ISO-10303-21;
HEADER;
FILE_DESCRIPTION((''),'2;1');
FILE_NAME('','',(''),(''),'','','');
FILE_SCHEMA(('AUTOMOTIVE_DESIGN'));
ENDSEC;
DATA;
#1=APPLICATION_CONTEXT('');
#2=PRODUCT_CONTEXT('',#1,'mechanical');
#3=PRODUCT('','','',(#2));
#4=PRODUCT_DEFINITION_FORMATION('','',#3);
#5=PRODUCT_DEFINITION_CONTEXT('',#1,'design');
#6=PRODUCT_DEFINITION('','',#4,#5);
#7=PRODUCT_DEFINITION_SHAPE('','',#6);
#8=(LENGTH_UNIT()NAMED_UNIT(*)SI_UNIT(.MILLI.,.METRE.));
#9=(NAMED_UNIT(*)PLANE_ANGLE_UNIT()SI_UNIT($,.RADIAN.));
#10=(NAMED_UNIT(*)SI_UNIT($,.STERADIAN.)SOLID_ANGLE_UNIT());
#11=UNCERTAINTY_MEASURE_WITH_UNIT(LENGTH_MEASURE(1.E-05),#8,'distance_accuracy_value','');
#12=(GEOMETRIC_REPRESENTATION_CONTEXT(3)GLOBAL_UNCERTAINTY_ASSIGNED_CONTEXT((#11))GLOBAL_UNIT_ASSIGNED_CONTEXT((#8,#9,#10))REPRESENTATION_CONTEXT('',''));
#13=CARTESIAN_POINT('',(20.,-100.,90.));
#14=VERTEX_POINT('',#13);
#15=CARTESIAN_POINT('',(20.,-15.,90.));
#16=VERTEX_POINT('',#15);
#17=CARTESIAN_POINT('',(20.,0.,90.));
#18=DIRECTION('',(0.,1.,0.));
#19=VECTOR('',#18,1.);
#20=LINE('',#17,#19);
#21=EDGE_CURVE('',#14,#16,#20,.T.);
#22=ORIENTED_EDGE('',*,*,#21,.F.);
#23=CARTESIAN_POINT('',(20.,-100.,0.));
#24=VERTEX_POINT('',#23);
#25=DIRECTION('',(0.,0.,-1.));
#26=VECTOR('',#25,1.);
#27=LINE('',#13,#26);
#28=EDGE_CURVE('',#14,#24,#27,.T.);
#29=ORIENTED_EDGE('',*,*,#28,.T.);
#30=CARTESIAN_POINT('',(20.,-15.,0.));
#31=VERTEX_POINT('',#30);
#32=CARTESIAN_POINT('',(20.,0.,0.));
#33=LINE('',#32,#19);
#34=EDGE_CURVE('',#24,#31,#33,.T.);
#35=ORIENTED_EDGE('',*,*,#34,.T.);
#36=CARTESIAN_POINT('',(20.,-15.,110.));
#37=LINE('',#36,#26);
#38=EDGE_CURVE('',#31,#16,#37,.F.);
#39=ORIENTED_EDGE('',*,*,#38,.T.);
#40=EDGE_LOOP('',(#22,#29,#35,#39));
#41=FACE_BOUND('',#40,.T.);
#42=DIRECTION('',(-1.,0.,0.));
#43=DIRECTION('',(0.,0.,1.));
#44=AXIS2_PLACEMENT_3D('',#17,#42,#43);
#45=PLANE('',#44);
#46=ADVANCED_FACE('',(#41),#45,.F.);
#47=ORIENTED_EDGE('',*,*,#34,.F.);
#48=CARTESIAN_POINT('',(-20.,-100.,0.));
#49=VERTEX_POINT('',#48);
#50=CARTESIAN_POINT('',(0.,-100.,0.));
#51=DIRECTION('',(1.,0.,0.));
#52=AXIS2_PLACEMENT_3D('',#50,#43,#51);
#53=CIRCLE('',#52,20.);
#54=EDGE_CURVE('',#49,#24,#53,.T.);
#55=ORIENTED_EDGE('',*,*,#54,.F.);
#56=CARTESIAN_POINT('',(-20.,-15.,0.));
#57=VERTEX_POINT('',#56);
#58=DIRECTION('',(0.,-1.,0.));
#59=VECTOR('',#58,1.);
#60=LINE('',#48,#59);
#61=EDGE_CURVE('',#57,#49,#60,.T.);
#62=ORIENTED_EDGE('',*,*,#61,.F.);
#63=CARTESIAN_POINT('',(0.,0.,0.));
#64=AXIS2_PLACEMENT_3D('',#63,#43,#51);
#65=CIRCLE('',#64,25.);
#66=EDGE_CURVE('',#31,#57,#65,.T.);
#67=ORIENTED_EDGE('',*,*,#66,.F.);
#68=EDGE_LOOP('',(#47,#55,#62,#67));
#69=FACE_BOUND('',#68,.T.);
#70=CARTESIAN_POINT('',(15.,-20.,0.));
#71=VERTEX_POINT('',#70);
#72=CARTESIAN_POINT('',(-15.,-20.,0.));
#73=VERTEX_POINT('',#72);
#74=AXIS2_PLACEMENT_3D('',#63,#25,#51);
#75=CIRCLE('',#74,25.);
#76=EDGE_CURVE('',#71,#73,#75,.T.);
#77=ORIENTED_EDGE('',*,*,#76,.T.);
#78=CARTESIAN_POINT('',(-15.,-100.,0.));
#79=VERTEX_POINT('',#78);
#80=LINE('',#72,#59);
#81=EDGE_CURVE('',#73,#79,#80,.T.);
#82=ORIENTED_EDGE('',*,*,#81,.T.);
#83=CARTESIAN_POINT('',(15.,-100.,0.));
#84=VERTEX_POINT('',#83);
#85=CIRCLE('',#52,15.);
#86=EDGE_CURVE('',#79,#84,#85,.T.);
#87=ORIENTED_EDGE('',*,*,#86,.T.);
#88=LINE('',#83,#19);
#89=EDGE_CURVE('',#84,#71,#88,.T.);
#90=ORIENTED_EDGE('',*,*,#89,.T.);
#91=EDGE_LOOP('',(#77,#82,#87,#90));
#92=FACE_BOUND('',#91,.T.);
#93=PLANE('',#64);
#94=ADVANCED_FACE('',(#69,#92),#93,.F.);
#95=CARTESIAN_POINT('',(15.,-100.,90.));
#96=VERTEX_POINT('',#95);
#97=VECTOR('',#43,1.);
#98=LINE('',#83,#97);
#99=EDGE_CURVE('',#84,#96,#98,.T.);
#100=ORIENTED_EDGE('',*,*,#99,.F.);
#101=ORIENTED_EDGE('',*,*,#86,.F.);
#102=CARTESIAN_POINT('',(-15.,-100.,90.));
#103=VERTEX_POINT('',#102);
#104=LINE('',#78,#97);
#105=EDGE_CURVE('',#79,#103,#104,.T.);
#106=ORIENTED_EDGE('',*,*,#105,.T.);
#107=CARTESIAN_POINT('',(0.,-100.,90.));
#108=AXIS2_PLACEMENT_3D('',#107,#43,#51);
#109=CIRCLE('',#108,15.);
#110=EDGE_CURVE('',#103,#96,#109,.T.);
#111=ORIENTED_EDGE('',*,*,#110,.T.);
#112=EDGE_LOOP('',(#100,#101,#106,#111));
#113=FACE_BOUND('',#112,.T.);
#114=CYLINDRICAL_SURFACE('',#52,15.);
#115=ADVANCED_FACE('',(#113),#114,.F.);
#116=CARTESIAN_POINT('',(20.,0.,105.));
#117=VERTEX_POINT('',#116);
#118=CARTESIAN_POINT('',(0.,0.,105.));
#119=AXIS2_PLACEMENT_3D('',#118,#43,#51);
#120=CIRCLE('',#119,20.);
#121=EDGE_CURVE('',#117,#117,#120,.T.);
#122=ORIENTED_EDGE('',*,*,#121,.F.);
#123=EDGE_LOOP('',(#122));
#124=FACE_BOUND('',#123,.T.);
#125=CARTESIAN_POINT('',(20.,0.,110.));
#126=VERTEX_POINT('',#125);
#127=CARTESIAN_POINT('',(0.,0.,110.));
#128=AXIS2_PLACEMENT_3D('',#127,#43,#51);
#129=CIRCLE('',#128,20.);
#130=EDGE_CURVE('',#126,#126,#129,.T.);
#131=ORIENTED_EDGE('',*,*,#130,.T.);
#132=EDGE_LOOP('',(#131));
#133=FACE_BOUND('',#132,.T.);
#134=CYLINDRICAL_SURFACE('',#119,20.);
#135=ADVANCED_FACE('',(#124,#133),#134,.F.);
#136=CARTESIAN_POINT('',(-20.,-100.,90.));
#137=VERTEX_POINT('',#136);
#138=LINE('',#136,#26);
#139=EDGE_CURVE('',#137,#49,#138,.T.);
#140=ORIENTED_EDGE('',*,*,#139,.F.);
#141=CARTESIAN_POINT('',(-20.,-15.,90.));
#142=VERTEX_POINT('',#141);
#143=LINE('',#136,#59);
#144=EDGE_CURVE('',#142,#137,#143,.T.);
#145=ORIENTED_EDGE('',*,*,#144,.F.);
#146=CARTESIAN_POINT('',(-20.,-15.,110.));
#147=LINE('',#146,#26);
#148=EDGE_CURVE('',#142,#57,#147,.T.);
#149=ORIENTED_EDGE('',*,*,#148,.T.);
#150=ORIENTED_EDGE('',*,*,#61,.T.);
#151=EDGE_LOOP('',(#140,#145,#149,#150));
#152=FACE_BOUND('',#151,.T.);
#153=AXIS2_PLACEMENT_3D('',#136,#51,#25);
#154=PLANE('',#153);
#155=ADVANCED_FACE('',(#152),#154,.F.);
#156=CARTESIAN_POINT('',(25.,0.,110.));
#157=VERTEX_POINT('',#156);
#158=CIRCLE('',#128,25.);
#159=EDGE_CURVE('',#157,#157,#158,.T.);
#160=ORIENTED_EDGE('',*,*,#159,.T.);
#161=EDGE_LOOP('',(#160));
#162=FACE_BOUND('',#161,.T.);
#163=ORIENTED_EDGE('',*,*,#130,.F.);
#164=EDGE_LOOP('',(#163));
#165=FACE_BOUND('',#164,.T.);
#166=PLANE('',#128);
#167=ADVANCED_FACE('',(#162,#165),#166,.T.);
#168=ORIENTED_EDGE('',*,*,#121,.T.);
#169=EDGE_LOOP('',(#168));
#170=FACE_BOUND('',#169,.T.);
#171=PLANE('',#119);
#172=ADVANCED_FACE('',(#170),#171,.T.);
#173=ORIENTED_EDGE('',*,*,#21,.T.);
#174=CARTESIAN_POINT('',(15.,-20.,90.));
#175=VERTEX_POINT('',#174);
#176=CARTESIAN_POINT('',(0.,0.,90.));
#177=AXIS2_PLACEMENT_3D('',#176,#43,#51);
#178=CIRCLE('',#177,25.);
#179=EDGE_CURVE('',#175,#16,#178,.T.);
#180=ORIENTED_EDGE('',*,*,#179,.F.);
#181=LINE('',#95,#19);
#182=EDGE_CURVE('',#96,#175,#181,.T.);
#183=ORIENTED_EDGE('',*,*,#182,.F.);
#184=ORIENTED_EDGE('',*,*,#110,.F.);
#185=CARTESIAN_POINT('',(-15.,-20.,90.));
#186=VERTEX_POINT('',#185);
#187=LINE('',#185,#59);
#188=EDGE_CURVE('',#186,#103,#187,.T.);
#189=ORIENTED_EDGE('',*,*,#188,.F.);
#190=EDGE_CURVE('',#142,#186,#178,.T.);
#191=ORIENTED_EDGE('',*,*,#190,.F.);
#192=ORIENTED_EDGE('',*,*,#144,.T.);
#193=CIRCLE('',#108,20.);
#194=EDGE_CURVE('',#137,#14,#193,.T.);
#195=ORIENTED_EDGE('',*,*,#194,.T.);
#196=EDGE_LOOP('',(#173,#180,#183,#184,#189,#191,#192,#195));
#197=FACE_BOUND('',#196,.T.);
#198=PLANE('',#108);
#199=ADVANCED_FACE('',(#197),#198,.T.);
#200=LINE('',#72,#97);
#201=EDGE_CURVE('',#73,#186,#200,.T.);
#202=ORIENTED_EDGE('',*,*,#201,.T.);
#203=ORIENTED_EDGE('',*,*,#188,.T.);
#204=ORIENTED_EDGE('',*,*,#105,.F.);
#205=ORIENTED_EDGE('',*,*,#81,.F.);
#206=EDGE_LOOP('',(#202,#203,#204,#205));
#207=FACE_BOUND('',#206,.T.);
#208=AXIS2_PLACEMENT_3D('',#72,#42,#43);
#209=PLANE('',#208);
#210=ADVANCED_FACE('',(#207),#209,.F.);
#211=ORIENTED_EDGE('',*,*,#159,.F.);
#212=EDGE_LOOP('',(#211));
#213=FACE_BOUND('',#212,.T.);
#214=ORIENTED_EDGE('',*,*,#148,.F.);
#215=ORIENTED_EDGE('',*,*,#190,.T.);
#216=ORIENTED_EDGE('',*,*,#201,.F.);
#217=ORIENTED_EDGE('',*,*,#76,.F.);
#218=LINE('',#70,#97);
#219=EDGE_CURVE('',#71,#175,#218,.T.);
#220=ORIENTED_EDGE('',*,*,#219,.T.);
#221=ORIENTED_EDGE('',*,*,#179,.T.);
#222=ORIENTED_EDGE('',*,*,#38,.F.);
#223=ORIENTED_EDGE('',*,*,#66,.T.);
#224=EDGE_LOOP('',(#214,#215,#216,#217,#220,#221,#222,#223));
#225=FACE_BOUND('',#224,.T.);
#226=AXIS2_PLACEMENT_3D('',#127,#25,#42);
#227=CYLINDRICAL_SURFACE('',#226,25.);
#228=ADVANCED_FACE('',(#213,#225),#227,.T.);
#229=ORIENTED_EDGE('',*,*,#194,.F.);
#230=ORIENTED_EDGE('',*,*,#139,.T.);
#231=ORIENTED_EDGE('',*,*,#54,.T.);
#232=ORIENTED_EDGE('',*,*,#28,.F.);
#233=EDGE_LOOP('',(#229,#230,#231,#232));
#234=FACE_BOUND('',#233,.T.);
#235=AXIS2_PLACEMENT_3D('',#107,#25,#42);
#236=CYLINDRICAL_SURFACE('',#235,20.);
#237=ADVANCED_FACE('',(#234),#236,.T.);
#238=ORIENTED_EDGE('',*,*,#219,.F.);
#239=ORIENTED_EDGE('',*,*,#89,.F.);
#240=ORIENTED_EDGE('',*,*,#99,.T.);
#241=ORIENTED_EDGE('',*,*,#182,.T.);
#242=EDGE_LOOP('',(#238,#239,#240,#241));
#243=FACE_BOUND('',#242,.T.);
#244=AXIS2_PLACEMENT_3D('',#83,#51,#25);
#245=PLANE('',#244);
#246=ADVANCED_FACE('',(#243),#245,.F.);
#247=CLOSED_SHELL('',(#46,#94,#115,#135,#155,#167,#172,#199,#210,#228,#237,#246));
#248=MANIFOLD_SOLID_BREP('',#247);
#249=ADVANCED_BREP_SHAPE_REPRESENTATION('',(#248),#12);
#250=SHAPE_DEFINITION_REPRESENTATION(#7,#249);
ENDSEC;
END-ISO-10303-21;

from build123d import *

# Parameters (mm, degrees)
SKETCH1_R      = 25
EXTRUDE1_DEPTH = 110
SKETCH2_R      = 20
EXTRUDE2_DEPTH = 5
EXTRUDE3_DEPTH = 90
EXTRUDE4_DEPTH = 91


with BuildPart() as part:
    # Sketch1 → Extrude1 (new body)
    with BuildSketch(Plane.XY):
        Circle(SKETCH1_R)
    extrude(amount=EXTRUDE1_DEPTH)

    # Sketch2 → Extrude2 (cut)
    with BuildSketch(Plane.XY.offset(110)):
        Circle(SKETCH2_R)
    extrude(amount=-EXTRUDE2_DEPTH, mode=Mode.SUBTRACT)

    # Sketch3 → Extrude3 (add)
    with BuildSketch(Plane.XY):
        with BuildLine():
            Line((-20, -100), (-20, 0))
            Line((-20, 0), (20, 0))
            Line((20, 0), (20, -100))
            ThreePointArc((20, -100), (0, -120), (-20, -100))
        make_face()
    extrude(amount=EXTRUDE3_DEPTH)

    # Sketch4 → Extrude4 (cut, through all)
    with BuildSketch(Plane.XY.offset(90)):
        with BuildLine():
            Line((-15, -20), (-15, -100))
            ThreePointArc((-15, -100), (0, -115), (15, -100))
            Line((15, -100), (15, -20))
            ThreePointArc((15, -20), (0, -25), (-15, -20))
        make_face()
    extrude(amount=-EXTRUDE4_DEPTH, mode=Mode.SUBTRACT)


solid = part.part
